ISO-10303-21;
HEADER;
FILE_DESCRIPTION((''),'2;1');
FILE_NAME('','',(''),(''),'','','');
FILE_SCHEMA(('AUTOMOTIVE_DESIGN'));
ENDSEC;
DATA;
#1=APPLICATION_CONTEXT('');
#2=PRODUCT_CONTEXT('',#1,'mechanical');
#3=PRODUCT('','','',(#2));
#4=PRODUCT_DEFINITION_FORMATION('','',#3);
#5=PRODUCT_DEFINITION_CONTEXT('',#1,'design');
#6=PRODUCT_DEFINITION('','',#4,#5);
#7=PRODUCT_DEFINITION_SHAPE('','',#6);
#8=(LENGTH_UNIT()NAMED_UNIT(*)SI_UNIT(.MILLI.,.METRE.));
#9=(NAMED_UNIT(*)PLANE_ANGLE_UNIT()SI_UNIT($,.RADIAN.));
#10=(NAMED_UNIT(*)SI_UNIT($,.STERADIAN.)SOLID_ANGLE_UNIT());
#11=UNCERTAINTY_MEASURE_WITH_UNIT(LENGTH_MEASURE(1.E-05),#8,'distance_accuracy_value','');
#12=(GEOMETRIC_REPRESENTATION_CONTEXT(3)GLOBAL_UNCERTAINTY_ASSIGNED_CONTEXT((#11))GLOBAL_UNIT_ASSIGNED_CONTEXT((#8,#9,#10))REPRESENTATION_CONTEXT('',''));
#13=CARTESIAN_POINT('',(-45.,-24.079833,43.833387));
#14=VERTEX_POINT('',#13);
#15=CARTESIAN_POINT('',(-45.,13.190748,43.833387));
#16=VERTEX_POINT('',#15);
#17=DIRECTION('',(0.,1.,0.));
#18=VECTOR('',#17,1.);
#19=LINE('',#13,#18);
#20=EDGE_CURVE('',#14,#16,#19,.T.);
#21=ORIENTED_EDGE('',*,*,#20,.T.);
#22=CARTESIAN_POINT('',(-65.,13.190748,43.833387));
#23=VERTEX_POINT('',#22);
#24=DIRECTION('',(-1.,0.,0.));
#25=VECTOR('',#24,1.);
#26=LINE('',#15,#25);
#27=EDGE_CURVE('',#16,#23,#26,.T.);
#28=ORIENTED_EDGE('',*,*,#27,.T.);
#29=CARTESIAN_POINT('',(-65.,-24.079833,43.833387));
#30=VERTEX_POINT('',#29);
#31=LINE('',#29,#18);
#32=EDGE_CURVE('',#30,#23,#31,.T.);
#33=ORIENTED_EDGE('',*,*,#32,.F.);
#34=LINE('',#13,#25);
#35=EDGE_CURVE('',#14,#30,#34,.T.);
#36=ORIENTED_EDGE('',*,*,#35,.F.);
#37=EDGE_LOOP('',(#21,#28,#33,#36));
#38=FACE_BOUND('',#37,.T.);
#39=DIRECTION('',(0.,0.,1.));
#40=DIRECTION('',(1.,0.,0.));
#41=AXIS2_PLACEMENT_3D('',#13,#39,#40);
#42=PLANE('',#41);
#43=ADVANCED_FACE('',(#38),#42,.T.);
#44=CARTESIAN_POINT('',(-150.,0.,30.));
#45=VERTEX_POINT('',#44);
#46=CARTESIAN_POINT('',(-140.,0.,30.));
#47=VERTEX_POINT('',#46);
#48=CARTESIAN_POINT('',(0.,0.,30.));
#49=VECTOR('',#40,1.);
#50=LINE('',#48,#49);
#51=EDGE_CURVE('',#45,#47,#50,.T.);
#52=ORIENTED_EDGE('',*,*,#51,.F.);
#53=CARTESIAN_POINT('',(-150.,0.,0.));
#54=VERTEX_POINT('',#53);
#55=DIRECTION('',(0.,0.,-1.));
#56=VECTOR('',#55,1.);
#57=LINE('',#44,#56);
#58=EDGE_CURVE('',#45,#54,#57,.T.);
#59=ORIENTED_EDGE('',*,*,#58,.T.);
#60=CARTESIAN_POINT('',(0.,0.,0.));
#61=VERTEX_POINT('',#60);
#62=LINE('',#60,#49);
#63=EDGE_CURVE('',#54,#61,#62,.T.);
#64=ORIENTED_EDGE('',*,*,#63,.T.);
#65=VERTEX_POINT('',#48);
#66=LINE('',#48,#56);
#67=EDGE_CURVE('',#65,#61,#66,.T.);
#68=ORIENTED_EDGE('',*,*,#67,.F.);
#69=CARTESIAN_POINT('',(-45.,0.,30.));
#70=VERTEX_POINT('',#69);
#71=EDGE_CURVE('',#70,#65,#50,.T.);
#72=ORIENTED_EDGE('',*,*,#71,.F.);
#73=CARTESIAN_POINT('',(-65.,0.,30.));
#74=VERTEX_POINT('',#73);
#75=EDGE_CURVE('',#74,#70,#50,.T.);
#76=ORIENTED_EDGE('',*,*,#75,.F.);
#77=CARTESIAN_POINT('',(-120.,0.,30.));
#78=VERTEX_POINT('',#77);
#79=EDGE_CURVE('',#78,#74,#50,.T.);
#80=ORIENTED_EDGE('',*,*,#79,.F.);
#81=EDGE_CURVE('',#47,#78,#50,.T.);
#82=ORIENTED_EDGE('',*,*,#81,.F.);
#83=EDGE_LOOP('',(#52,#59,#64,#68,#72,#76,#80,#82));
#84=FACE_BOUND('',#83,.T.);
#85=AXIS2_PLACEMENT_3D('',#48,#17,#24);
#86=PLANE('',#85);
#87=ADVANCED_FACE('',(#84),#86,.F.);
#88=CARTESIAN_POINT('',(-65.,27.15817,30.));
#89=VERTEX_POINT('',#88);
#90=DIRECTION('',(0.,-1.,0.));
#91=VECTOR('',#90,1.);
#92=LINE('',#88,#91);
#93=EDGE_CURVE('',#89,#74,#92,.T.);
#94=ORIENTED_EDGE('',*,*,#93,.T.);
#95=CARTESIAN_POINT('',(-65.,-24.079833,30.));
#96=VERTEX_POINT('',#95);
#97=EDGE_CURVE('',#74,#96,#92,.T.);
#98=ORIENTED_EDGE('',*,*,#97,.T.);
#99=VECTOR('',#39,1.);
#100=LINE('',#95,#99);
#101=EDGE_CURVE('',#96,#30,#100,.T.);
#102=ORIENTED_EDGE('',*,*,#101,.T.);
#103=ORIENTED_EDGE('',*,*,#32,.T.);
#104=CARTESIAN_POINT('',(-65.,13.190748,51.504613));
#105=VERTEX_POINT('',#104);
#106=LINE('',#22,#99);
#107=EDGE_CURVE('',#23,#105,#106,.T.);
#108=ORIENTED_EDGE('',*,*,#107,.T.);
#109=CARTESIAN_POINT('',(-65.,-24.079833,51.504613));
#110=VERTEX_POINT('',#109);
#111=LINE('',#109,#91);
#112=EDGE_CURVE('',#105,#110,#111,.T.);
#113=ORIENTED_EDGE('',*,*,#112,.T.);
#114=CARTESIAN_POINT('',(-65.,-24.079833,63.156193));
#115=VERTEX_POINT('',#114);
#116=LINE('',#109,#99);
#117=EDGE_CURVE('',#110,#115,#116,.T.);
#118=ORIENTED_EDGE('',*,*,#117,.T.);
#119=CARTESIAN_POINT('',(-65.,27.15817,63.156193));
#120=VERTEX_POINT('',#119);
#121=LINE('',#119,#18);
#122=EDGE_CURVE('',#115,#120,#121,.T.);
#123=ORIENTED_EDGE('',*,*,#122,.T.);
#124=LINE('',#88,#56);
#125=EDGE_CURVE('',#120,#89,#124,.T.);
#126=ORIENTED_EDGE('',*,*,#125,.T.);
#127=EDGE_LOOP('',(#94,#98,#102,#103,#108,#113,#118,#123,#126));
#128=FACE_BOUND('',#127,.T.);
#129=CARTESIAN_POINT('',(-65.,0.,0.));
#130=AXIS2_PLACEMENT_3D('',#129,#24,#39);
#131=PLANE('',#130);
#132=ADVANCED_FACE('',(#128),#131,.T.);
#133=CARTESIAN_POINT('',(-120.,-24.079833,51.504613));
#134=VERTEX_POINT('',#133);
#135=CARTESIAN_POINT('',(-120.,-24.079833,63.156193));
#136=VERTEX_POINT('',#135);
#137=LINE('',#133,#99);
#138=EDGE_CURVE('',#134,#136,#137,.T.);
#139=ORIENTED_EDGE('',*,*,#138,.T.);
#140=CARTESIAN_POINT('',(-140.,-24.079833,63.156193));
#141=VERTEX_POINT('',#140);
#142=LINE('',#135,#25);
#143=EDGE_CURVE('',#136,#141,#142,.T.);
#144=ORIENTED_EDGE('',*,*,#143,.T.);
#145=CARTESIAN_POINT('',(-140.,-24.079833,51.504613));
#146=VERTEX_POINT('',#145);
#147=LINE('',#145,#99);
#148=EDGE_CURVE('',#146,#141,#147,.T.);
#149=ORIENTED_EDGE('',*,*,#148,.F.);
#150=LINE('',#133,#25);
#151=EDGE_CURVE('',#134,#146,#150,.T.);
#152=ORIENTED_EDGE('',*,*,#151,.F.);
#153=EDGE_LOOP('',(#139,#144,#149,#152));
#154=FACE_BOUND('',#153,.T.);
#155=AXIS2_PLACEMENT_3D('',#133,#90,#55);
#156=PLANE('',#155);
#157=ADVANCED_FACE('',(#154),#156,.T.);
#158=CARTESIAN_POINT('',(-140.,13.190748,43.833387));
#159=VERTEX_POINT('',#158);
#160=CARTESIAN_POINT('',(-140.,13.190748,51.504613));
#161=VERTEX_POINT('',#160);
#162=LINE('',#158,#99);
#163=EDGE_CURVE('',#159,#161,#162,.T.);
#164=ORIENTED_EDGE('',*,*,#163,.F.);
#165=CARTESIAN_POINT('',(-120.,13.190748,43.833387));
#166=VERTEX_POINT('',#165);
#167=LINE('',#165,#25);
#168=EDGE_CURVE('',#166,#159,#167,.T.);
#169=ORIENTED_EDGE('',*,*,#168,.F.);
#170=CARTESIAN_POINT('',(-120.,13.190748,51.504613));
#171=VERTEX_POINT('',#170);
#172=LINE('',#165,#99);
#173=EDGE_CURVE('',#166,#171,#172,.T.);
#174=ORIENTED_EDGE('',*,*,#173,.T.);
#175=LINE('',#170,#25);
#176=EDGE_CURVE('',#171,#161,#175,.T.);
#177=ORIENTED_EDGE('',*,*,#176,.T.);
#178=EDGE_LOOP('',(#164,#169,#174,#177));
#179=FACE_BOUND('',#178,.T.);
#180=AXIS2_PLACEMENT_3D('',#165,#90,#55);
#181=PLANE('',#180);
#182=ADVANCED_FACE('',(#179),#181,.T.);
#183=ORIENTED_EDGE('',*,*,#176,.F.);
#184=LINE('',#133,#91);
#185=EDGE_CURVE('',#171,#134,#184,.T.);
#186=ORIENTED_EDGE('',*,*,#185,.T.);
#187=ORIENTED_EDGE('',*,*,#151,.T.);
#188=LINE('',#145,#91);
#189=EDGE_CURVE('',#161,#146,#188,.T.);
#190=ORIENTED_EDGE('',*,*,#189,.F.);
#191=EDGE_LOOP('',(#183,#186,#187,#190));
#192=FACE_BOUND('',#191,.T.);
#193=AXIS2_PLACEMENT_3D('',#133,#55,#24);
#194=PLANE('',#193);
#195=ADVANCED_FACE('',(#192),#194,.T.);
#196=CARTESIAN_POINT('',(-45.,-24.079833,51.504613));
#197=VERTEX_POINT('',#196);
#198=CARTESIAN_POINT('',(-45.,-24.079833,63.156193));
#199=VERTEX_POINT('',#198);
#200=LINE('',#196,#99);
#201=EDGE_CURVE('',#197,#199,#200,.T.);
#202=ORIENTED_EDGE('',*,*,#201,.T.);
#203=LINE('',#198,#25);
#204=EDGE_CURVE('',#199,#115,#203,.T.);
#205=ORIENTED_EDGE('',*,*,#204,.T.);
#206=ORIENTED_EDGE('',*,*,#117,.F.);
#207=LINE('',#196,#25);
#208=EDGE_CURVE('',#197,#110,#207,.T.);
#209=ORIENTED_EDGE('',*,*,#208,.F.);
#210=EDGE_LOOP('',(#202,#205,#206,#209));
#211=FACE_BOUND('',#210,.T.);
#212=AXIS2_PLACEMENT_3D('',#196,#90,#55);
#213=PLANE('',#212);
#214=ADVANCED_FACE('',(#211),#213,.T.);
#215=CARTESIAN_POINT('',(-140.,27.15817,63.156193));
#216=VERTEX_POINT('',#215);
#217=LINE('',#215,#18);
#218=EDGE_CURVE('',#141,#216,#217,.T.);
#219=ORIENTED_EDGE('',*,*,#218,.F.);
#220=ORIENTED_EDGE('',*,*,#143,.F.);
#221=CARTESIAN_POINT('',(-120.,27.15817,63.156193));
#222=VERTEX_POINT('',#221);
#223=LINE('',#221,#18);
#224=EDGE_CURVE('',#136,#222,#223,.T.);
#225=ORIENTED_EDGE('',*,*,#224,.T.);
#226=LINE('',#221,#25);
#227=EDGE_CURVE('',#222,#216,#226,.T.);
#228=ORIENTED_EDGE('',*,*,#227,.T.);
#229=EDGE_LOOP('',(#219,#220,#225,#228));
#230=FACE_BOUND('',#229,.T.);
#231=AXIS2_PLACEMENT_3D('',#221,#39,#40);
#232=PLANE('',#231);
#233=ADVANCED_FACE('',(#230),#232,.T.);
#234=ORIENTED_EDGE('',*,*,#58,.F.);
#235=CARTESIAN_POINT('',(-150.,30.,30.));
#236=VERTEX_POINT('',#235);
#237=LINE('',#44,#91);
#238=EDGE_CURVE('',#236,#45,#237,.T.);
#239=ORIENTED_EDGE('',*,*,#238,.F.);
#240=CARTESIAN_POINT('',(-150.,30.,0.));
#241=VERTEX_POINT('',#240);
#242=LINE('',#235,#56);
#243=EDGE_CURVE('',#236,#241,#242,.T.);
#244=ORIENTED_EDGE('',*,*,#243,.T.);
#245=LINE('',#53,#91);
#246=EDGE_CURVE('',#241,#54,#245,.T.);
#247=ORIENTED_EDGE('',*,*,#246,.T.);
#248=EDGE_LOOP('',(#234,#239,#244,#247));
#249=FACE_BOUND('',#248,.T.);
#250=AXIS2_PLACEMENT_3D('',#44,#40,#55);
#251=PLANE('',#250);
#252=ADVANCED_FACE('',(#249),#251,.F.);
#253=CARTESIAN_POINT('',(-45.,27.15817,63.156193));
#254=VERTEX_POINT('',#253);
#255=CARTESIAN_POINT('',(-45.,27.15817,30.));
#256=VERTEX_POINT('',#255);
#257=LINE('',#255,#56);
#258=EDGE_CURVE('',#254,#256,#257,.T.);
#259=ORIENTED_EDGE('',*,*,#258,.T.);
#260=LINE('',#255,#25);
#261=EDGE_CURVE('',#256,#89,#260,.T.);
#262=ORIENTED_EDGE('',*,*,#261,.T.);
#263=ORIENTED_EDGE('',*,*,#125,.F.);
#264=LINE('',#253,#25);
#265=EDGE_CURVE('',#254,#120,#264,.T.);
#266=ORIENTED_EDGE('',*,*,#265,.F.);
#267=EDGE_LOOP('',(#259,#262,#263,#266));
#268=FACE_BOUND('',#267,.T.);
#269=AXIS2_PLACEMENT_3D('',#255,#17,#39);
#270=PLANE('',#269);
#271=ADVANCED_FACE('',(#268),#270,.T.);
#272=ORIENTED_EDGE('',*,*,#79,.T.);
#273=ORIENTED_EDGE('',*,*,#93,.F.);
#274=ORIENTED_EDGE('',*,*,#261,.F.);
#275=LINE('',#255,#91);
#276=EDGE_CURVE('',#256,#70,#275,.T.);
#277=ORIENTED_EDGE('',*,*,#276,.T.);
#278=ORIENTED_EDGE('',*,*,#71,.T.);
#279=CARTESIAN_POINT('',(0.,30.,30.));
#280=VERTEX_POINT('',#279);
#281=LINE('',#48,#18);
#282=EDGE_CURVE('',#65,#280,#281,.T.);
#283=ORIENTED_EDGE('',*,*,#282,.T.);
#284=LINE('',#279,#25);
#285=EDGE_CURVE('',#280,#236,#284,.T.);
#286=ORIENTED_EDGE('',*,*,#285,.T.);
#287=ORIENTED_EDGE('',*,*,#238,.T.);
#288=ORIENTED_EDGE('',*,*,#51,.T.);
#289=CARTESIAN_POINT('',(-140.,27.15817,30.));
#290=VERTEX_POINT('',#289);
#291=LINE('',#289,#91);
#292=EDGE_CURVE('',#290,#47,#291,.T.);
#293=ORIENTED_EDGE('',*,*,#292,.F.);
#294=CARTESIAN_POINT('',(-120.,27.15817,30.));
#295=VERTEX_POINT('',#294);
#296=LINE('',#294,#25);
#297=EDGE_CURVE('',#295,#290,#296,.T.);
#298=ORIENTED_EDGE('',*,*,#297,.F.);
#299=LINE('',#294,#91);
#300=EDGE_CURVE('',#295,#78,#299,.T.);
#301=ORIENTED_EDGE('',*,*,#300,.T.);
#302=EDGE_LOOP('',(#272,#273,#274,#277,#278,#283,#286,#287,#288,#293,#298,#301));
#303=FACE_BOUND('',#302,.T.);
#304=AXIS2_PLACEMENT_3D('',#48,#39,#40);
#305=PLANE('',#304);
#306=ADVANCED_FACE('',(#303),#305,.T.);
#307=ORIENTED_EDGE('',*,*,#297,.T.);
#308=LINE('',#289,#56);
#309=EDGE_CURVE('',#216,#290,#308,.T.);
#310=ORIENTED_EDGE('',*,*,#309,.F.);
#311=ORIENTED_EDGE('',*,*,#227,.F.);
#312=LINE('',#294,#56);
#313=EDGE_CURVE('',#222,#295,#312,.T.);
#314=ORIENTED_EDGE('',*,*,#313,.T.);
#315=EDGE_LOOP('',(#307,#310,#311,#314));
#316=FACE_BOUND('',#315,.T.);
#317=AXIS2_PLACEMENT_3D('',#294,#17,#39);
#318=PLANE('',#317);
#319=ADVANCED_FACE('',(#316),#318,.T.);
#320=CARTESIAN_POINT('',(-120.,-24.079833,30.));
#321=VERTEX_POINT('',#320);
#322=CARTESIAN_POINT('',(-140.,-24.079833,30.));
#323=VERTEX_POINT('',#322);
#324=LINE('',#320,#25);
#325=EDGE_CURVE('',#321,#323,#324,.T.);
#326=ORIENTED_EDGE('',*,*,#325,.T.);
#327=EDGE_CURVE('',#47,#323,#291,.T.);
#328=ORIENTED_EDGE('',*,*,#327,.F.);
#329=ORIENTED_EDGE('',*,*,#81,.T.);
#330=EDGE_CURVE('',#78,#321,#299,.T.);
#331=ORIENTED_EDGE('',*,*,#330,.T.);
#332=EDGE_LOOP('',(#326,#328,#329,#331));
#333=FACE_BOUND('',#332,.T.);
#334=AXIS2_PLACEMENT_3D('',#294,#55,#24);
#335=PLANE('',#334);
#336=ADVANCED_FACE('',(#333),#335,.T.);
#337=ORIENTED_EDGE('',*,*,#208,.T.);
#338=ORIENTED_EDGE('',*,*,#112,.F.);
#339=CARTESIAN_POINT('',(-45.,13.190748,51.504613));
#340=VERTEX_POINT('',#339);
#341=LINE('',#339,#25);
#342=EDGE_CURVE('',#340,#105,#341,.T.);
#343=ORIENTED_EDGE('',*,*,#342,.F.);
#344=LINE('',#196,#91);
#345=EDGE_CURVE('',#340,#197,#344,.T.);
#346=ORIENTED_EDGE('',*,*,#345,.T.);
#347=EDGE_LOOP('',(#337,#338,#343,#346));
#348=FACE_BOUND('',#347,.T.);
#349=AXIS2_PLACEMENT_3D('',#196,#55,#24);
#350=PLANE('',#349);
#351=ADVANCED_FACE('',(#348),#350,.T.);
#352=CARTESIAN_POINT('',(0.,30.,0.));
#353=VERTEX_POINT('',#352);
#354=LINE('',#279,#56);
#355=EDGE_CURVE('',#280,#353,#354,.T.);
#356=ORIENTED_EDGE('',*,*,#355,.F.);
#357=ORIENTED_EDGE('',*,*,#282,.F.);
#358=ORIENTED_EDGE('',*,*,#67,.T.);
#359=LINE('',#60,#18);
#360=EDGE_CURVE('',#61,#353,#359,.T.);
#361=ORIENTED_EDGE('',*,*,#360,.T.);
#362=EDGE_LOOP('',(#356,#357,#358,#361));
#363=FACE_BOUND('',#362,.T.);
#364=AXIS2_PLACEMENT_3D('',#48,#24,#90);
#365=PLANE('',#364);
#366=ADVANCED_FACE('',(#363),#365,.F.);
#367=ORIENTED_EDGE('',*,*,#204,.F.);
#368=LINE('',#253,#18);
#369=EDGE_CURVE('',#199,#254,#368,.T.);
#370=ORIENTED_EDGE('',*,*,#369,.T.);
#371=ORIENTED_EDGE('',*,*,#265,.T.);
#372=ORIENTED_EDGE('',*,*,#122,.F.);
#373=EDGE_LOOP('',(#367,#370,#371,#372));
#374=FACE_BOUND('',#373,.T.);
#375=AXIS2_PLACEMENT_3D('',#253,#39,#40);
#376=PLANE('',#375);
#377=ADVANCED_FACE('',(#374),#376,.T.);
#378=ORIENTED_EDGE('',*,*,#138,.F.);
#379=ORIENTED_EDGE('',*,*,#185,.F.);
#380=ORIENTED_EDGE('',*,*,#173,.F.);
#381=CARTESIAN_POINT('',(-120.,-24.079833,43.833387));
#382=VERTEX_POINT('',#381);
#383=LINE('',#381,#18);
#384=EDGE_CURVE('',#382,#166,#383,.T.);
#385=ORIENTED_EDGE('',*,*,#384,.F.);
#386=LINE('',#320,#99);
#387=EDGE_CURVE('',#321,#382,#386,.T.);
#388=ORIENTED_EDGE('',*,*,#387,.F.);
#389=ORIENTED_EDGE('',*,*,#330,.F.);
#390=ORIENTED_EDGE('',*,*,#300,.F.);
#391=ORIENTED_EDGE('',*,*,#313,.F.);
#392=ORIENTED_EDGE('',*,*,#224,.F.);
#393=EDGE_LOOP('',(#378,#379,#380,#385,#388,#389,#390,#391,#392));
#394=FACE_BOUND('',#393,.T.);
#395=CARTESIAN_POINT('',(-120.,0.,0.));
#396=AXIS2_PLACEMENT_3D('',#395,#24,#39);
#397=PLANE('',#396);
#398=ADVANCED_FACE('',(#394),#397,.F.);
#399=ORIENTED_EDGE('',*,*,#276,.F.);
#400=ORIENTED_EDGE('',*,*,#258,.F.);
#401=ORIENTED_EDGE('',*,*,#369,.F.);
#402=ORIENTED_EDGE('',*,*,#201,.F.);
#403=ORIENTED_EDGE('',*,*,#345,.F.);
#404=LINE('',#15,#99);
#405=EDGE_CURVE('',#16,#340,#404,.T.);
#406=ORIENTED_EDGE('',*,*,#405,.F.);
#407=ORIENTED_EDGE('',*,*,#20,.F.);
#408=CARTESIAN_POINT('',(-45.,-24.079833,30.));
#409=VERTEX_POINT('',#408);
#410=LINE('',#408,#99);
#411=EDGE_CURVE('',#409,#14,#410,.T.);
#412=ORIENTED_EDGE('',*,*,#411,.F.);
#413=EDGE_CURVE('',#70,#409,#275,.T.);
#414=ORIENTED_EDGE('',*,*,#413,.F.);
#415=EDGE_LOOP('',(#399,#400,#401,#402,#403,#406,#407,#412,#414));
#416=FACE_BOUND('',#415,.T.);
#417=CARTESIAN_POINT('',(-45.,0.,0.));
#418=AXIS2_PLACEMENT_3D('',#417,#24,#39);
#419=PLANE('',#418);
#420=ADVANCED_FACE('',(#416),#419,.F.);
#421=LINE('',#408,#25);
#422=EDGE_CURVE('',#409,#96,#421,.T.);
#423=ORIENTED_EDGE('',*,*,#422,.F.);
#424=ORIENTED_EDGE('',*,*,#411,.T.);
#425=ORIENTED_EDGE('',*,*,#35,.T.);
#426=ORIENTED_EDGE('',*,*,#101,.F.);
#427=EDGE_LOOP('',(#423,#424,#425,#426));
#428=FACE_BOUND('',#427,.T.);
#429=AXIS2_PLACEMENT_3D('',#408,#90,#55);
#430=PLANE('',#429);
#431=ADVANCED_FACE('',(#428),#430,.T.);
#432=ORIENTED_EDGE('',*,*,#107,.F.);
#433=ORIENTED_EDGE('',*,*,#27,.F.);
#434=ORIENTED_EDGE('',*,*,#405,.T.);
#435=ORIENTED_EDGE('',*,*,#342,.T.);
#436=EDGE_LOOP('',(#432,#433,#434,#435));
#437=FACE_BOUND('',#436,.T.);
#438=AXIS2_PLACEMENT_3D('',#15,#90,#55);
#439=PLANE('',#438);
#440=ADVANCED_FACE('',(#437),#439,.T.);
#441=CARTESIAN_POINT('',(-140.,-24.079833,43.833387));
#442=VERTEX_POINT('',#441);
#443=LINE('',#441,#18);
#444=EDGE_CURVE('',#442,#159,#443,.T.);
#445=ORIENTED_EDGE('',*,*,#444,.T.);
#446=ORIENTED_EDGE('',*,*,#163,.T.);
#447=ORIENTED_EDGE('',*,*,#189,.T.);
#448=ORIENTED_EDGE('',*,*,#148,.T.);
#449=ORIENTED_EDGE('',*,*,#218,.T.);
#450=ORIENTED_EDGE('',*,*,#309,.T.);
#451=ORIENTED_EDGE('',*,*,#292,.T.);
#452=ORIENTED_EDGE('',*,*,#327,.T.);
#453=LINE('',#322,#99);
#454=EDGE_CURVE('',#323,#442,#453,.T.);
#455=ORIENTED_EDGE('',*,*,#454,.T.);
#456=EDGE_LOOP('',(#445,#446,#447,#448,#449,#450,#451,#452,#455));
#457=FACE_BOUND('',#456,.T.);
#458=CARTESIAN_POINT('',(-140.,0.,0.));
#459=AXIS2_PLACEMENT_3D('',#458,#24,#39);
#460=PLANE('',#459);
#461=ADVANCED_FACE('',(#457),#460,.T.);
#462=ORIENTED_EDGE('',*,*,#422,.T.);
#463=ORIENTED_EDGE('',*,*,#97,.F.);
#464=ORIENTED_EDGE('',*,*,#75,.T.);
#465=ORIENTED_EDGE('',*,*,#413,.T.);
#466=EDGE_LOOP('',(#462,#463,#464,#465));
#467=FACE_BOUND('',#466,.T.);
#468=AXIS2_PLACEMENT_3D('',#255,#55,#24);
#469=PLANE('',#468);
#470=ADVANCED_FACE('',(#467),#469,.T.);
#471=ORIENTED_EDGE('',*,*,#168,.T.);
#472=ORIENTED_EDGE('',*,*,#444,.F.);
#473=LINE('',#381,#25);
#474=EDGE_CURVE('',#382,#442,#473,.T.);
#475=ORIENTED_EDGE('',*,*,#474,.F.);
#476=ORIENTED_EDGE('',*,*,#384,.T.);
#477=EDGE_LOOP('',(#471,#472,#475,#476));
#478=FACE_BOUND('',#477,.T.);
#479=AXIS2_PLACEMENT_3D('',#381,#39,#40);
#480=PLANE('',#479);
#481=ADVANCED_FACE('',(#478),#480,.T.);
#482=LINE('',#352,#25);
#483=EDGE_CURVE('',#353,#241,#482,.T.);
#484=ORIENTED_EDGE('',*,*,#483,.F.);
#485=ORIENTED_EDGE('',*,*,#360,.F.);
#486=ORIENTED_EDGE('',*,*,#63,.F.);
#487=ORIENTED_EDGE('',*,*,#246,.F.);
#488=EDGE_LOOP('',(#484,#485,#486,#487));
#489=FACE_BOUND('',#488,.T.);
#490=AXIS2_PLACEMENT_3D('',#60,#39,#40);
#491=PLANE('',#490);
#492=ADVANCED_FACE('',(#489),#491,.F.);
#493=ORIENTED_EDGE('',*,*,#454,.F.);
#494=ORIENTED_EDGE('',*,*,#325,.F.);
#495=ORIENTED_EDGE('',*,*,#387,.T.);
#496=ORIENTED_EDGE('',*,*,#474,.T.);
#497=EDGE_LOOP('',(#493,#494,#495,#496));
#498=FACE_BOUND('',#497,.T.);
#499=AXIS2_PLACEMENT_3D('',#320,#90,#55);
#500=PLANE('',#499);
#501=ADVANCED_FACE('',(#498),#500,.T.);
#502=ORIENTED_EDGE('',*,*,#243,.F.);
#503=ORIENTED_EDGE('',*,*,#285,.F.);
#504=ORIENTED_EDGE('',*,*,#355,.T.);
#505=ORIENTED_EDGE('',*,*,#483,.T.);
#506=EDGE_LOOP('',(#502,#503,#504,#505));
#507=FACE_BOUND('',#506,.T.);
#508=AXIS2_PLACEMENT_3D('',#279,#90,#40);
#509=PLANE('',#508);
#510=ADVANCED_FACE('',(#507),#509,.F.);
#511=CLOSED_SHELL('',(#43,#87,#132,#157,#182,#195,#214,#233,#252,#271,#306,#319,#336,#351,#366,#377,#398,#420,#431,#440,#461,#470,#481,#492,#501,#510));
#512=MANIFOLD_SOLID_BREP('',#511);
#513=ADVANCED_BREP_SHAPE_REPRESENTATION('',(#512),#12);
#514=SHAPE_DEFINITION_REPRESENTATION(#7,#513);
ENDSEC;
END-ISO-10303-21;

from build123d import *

# Parameters (mm, degrees)
ESQUISSE1_W                = 150
ESQUISSE1_H                = 30
BOSS_EXTRU_1_DEPTH         = 30
BOSS_EXTRU_2_START         = -10
BOSS_EXTRU_2_DEPTH         = 20
R_P_TITION_LIN_AIRE1_COUNT = 2
R_P_TITION_LIN_AIRE1_PITCH = 75


with BuildPart() as part:
    # Esquisse1 → Boss.-Extru.1 (new body)
    with BuildSketch(Plane.XY):
        with Locations((-75, 15)):
            Rectangle(ESQUISSE1_W, ESQUISSE1_H)
    extrude(amount=BOSS_EXTRU_1_DEPTH)

    # Esquisse2 → Boss.-Extru.2 (add)
    with BuildSketch(Plane.ZY.offset(150).offset(BOSS_EXTRU_2_START)):
        Polygon((30, 27.158170339), (63.156193336, 27.158170339), (63.156193336, -24.079833233), (51.504613428, -24.079833233), (51.504613428, 13.190748461), (43.833386904, 13.190748461), (43.833386904, -24.079833233), (30, -24.079833233), align=None)
    boss_extru_2 = extrude(amount=-BOSS_EXTRU_2_DEPTH)

    # Répétition linéaire1: Boss.-Extru.2 ×2
    with Locations(*[(i * R_P_TITION_LIN_AIRE1_PITCH, 0, 0) for i in range(1, R_P_TITION_LIN_AIRE1_COUNT)]):
        add(boss_extru_2)


solid = part.part
